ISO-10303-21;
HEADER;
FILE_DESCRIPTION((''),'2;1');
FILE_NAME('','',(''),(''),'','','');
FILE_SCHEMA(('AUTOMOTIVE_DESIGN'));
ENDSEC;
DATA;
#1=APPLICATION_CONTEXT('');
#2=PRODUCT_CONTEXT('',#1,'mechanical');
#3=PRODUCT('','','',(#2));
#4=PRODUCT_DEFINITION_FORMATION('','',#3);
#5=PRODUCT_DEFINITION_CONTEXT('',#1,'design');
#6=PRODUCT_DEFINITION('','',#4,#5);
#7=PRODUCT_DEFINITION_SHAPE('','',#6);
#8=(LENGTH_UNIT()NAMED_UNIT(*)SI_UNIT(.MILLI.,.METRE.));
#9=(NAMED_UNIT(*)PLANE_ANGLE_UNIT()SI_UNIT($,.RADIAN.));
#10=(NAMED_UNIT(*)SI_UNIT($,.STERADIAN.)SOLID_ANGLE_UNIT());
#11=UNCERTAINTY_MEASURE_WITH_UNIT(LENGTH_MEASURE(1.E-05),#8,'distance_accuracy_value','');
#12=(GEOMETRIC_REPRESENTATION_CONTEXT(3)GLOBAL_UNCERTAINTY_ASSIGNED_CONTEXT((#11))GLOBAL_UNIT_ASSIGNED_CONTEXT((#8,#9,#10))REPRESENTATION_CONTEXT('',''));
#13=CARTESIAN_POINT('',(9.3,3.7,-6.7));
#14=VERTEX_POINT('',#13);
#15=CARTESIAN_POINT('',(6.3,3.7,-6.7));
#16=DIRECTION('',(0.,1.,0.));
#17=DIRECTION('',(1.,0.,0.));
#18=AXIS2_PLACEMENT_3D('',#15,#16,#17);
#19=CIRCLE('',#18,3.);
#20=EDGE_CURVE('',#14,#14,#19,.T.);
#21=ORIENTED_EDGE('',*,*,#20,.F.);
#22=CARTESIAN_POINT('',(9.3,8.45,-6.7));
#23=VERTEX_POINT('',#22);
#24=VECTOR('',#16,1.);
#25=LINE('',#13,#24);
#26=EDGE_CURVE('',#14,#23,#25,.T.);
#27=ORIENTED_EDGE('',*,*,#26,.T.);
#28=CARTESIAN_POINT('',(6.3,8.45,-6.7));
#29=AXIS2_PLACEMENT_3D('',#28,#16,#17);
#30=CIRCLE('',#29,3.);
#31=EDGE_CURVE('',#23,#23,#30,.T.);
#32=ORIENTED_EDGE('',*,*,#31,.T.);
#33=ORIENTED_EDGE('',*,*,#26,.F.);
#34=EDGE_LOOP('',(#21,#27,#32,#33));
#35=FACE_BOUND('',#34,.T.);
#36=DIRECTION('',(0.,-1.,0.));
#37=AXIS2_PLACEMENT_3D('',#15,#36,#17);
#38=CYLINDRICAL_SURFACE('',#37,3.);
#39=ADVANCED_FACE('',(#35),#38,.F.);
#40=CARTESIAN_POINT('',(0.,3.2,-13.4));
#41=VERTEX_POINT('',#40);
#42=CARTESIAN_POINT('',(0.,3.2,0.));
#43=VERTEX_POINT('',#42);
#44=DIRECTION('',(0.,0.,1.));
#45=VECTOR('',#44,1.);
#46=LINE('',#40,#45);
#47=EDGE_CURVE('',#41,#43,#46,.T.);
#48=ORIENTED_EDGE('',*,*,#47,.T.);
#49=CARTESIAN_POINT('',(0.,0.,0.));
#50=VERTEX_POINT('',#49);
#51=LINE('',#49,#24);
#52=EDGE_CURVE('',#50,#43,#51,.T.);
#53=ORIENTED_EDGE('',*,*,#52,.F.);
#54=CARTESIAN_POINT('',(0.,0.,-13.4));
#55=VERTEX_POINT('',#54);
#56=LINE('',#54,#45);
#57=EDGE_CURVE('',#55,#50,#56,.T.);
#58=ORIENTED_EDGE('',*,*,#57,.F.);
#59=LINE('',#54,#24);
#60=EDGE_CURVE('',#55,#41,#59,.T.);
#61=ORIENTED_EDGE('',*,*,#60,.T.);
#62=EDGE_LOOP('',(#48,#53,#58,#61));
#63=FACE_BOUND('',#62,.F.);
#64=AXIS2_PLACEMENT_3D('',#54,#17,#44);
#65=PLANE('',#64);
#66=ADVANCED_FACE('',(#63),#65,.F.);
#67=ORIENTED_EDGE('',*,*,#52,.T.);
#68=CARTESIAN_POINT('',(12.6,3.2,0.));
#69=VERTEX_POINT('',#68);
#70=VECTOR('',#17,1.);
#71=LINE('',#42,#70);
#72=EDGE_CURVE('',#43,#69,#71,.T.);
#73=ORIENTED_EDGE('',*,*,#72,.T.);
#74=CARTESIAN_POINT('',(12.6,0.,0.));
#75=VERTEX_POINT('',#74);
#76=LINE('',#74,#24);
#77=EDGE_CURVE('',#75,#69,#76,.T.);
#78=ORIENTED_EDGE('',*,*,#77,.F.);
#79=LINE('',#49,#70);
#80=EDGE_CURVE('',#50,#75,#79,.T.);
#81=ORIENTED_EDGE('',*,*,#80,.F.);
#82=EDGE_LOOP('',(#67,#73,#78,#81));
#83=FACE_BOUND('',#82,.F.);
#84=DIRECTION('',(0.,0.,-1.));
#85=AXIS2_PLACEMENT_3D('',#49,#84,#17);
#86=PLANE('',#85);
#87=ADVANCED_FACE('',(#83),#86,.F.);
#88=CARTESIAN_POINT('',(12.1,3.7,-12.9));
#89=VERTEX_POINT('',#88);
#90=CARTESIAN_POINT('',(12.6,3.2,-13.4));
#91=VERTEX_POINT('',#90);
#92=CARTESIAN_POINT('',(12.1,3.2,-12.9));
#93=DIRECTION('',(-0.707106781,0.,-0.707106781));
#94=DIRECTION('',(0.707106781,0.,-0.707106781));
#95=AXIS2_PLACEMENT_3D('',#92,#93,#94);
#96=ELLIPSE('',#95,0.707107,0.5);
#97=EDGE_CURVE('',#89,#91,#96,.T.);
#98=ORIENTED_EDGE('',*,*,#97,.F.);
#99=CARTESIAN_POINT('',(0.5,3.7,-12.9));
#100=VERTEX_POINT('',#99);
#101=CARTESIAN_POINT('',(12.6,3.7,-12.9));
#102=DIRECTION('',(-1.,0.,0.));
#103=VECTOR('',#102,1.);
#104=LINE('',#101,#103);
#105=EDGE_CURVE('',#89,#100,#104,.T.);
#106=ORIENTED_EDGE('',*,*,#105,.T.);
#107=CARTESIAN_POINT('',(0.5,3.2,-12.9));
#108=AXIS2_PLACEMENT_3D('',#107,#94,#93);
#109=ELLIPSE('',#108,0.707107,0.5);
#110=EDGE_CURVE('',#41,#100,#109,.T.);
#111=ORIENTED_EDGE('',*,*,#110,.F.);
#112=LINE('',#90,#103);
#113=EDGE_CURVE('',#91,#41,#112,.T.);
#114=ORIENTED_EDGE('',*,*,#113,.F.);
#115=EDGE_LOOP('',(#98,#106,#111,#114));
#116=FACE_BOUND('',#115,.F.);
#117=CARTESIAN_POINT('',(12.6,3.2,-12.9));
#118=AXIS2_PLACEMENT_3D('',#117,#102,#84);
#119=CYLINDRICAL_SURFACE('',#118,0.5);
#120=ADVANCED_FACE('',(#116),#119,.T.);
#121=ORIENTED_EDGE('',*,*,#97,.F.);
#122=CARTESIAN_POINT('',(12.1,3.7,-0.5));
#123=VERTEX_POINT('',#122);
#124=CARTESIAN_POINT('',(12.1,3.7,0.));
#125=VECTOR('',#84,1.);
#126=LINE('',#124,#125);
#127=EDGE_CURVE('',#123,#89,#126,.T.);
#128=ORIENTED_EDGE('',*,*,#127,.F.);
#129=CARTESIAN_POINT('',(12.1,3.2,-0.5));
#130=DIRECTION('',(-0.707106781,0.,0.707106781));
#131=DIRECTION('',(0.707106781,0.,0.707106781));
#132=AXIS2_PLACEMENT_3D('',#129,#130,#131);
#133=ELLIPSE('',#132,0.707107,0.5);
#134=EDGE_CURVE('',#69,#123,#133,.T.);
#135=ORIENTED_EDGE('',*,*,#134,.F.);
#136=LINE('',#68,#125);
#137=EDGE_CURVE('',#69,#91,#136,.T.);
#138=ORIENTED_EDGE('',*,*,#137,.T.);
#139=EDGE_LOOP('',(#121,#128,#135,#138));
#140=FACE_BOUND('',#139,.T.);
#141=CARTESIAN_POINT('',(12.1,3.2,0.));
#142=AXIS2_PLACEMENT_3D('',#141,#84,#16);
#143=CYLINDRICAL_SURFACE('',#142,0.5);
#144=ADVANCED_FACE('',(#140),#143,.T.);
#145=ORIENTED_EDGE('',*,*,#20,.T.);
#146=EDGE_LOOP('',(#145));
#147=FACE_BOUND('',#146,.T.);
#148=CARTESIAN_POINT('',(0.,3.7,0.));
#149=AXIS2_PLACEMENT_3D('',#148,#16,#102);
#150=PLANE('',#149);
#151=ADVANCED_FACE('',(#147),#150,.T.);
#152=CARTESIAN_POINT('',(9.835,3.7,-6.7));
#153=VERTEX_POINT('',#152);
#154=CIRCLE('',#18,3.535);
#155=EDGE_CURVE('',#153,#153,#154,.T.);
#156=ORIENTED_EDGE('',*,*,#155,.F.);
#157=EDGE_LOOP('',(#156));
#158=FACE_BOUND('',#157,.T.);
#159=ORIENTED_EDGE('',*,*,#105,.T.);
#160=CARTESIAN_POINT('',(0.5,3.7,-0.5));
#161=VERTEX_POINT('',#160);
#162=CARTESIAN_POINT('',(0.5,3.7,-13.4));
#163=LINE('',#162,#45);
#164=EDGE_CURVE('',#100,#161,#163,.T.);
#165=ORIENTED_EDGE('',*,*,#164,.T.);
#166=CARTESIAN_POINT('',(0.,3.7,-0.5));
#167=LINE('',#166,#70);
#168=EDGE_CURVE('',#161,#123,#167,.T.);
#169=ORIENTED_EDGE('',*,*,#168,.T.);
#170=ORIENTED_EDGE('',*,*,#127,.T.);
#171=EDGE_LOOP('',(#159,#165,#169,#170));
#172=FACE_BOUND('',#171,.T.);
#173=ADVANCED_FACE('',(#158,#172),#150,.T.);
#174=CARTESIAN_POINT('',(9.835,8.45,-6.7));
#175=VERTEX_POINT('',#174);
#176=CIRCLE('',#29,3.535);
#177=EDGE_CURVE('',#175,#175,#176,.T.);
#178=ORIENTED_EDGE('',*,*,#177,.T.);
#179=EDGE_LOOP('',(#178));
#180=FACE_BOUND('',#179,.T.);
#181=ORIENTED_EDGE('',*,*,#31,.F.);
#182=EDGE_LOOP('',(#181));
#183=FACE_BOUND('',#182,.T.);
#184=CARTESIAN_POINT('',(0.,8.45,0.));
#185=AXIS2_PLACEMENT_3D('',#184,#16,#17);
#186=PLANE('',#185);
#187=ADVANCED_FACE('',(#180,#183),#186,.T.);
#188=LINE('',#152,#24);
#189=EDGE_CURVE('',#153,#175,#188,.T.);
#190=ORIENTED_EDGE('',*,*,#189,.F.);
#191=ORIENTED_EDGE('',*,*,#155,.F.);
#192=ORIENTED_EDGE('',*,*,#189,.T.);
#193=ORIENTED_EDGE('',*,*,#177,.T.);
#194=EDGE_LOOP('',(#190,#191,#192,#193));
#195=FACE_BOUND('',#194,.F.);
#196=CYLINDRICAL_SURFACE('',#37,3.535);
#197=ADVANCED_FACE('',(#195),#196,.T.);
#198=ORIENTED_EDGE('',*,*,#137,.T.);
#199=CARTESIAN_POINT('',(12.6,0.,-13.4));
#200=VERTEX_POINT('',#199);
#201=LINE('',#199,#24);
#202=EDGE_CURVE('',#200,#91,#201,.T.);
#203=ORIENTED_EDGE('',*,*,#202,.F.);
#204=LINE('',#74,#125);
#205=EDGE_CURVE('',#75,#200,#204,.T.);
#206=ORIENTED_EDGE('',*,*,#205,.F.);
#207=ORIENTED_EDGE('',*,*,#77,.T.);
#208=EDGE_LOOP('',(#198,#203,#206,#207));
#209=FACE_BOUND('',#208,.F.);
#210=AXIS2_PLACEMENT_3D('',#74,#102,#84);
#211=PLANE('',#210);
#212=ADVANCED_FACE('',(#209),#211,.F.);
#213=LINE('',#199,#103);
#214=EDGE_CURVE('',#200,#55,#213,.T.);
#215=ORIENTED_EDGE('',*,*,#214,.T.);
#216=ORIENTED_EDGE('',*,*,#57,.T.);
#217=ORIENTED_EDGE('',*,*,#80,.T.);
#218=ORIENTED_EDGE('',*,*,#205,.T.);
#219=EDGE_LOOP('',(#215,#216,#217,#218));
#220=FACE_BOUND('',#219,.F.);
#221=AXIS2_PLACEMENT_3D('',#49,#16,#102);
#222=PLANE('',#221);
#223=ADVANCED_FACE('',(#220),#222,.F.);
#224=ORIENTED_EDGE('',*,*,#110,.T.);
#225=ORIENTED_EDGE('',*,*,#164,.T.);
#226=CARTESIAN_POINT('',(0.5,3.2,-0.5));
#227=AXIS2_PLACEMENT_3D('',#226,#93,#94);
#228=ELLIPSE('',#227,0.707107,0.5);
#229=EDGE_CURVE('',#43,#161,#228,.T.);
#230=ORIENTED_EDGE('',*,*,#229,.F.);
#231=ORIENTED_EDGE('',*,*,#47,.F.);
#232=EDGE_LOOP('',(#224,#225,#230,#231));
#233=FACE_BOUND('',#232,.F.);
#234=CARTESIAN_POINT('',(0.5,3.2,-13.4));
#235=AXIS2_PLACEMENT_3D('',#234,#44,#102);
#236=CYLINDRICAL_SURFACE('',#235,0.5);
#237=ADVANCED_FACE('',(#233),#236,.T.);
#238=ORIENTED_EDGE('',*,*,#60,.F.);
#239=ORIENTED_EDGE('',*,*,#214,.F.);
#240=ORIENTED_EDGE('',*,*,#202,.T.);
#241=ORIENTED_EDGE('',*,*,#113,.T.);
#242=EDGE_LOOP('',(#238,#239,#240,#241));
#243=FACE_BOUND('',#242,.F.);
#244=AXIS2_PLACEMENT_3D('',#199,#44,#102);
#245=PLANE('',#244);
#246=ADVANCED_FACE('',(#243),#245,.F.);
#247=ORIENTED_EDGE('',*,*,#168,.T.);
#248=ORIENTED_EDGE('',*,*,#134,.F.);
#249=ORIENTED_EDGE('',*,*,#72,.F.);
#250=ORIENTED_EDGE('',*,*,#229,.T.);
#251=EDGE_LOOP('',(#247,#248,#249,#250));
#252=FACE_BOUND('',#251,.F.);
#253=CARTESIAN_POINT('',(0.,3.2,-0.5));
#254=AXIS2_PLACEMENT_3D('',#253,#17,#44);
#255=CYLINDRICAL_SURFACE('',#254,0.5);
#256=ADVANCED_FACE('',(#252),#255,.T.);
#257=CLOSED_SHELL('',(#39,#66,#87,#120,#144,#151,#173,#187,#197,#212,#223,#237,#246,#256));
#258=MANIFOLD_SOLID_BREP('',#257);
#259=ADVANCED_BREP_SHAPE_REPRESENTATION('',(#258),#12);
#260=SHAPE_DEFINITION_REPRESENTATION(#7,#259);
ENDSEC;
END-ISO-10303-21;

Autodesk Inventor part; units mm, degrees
ref_plane "YZ Plane" through (0, 0, 0) normal (1, 0, 0) x (0, 1, 0)
ref_plane "XZ Plane" through (0, 0, 0) normal (0, 1, 0) x (-1, 0, 0)
ref_plane "XY Plane" through (0, 0, 0) normal (0, 0, 1) x (1, 0, 0)
sketch "Sketch1" plane through (0, 0, 0) normal (0, 1, 0) x (-1, 0, 0)
  line L0 (0, 0) -> (-12.6, 0)
  line L1 (-12.6, 0) -> (-12.6, -13.4)
  line L2 (-12.6, -13.4) -> (0, -13.4)
  line L3 (0, -13.4) -> (0, 0)
  dimension "d0" = 12.6
  dimension "d1" = 13.4
extrude "Extrusion1" add sketch "Sketch1" along normal blind 3.7
sketch "Sketch2" plane through (0, 3.7, 0) normal (0, 1, 0) x (1, 0, 0)
  circle A0 centre (6.3, 6.7) radius 3.535
  line L0 (12.6, 13.4) -> (0, 13.4) projected
  line L1 (12.6, 0) -> (12.6, 13.4) projected
  circle A1 centre (6.3, 6.7) radius 3
  point P0 (0, 0)
  point P1 (6.3, 13.4)
  point P2 (12.6, 6.7)
  dimension "d4" = 7.07
  dimension "d17" = 6
extrude "Extrusion2" add sketch "Sketch2" along normal blind 4.75
fillet "Fillet1" radius 0.5 4 edges at (6.3, 3.7, 0) (12.6, 3.7, -6.7) (6.3, 3.7, -13.4) (0, 3.7, -6.7)
sketch "Sketch3" plane through (6.3, 8.45, -6.7) normal (0, 1, 0) x (1, 0, 0)
  circle A0 centre (0, 0) radius 3
  circle A1 centre (0, 0) radius 3.535 projected
  point P0 (-6.3, -6.7)
  dimension "d7" = 6
sketch "Sketch4" plane through (6.3, 15.9, -6.7) normal (0, 1, 0) x (1, 0, 0)
  line L0 (1.46, 3.1507) -> (1.46, -2.6208)
  circle A0 centre (0, 0) radius 3 construction
  point P0 (-6.3, -6.7)
  point P1 (-3, 0)
  dimension "d13" = 4.46
properties part number "PEC12R-4017F-N0024 Base"
